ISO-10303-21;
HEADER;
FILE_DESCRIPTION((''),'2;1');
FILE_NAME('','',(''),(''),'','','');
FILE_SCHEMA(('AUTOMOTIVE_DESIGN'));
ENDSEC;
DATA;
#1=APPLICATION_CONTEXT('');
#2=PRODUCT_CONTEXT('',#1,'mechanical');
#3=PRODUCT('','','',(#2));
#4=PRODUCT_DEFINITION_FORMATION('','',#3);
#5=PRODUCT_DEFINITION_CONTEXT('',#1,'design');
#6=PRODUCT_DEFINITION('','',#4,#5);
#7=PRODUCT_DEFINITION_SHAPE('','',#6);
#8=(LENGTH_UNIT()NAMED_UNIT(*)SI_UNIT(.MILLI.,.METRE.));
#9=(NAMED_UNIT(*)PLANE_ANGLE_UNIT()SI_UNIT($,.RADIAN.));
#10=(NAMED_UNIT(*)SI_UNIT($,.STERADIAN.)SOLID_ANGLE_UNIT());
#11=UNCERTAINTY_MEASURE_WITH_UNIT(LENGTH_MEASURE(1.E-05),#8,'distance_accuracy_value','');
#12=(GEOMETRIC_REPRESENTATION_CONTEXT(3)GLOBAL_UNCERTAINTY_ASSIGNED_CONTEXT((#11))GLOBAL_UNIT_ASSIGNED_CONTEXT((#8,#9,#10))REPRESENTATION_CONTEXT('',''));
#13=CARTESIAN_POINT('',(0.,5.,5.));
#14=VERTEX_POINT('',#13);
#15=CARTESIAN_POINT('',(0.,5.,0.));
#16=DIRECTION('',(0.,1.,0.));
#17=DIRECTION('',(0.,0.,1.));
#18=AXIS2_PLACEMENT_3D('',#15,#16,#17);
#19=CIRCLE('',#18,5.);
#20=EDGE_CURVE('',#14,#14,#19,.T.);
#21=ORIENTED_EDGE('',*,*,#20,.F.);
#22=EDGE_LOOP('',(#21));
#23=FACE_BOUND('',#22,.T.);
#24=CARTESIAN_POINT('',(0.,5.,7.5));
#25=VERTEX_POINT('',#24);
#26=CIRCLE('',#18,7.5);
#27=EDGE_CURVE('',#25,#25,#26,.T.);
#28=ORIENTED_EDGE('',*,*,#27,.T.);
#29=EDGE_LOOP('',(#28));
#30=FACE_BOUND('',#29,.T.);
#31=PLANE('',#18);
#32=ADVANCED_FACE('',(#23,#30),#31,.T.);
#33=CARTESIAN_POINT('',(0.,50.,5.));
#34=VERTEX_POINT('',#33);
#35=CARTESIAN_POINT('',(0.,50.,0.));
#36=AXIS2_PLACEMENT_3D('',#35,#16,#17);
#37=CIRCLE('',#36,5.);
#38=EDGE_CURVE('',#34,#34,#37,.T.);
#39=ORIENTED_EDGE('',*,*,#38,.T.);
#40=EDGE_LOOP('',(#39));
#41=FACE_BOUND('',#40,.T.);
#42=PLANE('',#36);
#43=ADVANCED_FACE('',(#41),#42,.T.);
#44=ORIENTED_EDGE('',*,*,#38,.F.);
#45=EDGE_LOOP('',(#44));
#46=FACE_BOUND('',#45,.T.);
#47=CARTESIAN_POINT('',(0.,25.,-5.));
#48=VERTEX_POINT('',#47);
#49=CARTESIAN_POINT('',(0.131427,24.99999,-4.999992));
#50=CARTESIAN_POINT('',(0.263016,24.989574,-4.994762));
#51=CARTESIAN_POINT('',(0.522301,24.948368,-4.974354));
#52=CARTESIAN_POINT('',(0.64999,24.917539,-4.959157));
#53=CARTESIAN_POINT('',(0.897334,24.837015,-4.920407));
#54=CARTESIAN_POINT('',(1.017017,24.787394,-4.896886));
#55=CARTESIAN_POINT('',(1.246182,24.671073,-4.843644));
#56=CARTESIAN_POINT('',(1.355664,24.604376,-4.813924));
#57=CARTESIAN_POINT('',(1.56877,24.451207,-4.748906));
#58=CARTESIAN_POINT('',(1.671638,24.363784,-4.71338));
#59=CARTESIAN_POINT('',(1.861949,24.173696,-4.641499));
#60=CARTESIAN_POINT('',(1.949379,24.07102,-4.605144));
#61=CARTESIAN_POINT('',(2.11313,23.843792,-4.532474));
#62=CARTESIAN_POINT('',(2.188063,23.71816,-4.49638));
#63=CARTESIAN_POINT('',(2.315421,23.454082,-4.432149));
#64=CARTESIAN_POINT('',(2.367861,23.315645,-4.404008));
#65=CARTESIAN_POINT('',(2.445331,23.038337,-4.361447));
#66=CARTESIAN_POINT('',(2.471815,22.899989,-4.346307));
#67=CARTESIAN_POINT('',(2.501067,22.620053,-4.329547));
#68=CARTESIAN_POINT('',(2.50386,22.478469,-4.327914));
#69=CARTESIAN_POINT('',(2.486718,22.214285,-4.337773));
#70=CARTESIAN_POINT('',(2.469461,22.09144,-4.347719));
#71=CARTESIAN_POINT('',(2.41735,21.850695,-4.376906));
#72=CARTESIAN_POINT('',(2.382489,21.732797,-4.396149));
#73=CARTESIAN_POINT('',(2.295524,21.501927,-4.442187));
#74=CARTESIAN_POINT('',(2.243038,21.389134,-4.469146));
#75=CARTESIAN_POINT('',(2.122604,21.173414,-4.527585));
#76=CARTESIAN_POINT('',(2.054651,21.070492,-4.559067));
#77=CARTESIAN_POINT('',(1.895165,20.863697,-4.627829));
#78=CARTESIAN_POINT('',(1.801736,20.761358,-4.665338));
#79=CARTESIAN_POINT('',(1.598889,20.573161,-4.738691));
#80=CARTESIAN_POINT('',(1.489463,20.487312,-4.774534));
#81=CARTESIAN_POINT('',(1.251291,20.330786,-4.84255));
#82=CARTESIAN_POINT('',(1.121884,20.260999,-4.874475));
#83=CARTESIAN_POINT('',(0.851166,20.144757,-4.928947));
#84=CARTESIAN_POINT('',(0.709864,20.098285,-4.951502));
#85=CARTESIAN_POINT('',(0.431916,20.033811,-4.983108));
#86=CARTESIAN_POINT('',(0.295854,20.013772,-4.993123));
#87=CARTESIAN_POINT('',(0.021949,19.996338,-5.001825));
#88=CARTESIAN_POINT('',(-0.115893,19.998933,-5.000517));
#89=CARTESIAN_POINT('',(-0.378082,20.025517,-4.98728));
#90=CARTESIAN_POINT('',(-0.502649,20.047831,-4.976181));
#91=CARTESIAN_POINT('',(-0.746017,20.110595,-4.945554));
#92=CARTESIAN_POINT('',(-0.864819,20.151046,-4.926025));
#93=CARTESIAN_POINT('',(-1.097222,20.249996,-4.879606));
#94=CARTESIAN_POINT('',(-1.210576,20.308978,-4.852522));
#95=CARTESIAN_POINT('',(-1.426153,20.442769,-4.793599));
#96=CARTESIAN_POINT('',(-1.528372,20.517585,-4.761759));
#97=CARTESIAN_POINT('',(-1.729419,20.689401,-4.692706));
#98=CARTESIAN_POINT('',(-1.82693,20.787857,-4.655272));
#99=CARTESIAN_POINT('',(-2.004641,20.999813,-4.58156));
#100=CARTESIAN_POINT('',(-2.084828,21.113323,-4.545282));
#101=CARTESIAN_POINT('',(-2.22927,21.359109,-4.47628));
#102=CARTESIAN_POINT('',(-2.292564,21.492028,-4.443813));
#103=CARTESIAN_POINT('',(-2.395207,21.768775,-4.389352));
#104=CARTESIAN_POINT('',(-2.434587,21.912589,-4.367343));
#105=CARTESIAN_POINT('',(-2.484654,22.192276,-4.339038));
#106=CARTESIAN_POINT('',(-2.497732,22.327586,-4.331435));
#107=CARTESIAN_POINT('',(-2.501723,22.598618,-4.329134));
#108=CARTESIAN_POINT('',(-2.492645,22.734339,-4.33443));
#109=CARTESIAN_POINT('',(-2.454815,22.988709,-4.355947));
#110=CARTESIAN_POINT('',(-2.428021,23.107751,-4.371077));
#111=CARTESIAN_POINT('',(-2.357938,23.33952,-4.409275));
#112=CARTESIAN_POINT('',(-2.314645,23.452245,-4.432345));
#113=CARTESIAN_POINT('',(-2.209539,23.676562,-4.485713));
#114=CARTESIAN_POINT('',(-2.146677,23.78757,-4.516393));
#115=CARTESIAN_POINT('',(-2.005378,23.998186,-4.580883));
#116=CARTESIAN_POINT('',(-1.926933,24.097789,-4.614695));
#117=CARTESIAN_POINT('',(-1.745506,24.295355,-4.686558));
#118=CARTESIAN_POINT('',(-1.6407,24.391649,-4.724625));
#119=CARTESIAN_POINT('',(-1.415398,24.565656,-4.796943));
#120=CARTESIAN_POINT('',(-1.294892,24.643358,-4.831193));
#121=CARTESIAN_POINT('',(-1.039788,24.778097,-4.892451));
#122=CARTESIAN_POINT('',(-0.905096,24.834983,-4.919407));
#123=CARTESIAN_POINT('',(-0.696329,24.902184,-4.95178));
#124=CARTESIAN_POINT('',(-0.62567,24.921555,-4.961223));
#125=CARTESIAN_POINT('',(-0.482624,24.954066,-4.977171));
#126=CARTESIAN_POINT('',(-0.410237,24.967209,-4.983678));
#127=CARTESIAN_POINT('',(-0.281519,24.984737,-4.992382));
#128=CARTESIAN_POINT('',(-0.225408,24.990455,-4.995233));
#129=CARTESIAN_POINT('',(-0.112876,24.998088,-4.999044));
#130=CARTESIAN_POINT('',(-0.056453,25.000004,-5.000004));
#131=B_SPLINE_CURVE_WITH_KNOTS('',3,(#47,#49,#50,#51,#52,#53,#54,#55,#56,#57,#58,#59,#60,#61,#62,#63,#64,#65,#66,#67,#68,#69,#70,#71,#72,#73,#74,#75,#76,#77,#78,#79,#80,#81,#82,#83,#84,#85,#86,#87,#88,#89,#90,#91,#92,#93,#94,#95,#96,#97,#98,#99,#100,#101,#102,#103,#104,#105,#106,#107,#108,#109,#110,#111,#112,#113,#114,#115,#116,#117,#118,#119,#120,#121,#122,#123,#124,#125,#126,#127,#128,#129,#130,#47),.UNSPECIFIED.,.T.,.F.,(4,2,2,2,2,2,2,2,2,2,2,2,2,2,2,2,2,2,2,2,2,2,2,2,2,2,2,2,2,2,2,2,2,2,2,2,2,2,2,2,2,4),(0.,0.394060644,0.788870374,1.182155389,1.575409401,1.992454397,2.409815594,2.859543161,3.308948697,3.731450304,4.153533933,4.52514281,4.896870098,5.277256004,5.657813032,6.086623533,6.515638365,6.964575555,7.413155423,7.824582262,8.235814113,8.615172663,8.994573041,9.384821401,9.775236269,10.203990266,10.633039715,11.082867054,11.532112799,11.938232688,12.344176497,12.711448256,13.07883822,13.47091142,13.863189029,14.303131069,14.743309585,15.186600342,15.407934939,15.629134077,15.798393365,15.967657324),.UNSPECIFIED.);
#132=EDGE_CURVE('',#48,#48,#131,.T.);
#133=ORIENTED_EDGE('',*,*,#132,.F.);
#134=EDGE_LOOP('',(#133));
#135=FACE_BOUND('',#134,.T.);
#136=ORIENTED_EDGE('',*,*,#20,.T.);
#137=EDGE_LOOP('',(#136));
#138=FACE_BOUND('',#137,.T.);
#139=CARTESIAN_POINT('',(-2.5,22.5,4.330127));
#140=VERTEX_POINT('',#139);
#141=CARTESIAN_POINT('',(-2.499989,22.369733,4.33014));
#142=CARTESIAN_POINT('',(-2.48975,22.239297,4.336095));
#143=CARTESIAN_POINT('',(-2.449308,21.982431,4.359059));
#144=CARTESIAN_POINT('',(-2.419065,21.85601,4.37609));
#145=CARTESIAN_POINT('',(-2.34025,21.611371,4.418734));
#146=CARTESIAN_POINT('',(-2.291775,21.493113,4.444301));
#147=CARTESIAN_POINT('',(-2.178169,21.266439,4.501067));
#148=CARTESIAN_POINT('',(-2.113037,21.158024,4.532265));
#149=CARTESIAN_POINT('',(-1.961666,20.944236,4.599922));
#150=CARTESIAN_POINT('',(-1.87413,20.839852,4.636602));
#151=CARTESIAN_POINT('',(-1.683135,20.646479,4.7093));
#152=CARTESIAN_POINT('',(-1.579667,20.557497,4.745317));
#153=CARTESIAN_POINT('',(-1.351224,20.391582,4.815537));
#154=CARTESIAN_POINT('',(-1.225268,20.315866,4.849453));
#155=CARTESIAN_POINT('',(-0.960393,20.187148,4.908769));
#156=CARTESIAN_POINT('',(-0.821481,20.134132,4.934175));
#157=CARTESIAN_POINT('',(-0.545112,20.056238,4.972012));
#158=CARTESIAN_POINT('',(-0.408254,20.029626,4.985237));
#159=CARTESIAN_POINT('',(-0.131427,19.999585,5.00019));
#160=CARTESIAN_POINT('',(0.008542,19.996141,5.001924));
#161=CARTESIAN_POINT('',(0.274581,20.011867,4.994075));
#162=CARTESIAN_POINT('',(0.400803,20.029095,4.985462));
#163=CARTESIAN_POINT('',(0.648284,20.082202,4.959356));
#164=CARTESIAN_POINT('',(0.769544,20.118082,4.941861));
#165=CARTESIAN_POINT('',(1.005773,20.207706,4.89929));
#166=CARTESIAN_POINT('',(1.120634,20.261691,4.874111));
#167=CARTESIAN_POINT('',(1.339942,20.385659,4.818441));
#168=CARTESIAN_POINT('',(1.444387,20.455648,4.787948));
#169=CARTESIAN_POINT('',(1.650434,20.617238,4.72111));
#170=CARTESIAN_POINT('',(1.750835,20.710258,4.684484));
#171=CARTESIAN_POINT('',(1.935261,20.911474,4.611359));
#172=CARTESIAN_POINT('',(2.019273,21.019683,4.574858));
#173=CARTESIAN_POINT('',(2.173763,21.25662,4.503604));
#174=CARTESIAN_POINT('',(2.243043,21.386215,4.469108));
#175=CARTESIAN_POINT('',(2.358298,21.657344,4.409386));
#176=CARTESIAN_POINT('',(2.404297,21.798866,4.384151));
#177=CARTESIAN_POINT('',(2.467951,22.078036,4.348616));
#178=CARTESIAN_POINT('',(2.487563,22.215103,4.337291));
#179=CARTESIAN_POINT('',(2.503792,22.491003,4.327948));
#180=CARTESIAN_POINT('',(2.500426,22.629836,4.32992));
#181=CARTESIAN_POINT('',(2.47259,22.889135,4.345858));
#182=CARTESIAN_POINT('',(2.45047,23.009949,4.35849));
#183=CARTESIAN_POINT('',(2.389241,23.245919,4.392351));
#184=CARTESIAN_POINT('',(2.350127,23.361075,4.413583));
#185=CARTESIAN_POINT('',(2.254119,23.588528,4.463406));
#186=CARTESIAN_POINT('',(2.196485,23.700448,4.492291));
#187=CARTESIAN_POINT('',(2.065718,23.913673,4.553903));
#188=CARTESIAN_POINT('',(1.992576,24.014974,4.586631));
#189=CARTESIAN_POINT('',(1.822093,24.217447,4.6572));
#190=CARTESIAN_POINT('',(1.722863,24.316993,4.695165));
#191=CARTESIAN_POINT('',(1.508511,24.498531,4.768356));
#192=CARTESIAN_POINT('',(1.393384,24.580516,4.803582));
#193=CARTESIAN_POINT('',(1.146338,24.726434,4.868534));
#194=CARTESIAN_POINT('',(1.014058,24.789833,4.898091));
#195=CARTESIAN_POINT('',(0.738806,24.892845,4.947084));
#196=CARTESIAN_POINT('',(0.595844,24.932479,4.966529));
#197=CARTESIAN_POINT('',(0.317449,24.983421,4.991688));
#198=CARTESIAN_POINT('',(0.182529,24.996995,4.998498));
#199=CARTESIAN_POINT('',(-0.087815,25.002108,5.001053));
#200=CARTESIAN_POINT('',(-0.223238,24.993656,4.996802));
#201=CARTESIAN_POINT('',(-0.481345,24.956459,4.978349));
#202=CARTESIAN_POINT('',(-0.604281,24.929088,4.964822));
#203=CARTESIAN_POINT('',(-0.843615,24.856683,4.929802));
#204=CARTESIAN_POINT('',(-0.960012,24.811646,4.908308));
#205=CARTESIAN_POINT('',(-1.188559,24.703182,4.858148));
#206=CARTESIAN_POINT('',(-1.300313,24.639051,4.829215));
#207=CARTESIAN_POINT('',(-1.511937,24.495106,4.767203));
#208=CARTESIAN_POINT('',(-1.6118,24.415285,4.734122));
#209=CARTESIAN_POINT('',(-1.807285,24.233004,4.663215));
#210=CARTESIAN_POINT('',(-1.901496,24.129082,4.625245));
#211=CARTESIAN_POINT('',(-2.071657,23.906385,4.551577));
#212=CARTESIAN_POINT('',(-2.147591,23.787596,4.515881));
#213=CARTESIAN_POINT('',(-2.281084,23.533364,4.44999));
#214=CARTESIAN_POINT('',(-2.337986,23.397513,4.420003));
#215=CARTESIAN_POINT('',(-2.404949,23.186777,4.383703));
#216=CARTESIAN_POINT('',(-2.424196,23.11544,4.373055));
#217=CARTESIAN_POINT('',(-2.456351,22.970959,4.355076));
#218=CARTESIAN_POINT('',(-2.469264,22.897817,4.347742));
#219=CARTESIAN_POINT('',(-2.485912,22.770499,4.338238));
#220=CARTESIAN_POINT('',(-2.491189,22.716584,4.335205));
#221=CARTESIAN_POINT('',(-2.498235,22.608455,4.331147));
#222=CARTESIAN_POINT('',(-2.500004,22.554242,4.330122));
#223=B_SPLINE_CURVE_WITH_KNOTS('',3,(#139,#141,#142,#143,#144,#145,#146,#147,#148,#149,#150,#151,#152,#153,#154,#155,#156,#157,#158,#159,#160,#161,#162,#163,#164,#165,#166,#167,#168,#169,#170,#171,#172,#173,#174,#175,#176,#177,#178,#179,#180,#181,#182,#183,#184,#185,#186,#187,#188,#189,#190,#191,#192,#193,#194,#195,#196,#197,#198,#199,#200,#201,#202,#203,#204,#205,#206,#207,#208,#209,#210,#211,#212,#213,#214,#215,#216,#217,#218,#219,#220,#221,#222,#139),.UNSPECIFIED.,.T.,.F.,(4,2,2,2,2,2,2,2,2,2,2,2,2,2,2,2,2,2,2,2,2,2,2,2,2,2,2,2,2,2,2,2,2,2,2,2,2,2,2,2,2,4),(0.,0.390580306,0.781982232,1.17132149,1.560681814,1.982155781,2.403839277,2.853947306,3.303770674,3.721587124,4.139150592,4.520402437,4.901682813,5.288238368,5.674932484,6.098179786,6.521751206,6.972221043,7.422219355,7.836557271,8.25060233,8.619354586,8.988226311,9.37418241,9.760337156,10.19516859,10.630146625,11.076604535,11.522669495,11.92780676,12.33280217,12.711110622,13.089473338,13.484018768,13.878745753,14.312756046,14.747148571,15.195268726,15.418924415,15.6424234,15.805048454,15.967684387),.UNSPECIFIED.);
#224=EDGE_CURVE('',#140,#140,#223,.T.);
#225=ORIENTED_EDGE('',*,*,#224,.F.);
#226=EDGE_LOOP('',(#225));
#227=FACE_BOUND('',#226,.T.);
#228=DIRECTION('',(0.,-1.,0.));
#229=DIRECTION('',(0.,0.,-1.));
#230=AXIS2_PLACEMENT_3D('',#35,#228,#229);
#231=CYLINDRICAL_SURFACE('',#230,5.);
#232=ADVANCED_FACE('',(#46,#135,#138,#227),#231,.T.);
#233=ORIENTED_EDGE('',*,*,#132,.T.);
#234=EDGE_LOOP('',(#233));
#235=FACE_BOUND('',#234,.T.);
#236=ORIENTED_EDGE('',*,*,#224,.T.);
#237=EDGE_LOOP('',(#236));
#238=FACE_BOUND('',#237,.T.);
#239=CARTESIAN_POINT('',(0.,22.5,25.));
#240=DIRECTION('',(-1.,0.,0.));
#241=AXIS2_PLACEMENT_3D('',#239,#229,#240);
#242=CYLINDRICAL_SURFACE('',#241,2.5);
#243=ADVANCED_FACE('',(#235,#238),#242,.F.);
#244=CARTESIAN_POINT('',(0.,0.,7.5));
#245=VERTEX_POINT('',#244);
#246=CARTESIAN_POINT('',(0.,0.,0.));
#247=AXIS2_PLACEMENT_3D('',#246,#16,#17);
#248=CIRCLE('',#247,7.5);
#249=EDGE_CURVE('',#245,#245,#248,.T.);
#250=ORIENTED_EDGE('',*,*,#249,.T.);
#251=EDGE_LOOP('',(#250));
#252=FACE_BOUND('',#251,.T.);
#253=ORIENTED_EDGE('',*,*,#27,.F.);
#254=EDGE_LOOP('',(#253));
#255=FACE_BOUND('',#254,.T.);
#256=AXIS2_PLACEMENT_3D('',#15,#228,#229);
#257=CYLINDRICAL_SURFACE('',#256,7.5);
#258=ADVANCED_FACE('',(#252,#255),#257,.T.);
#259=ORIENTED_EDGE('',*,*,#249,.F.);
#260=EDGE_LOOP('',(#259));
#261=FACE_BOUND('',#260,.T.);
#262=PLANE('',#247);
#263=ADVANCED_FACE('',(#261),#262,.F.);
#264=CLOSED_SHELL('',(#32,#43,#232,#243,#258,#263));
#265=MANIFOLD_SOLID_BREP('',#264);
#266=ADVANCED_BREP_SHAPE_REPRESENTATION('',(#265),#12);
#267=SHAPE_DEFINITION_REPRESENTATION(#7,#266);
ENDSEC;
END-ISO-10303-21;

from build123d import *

# Parameters (mm, degrees)
SKETCH1_R               = 7.5
BOSS_EXTRUDE1_DEPTH     = 5
SKETCH2_R               = 5
BOSS_EXTRUDE2_DEPTH     = 45
CUT_EXTRUDE1_DEPTH      = 25
CUT_EXTRUDE1_DEPTH_BACK = 28
SKETCH3_R               = 2.5


with BuildPart() as part:
    # Sketch1 → Boss-Extrude1 (new body)
    with BuildSketch(Plane(origin=(0, 0, 0), x_dir=(1, 0, 0), z_dir=(0, 1, 0))):
        with Locations(Location((0, 0, 0), (0, 0, 270))):
            Circle(SKETCH1_R)
    extrude(amount=BOSS_EXTRUDE1_DEPTH)

    # Sketch2 → Boss-Extrude2 (add)
    with BuildSketch(Plane(origin=(0, 5, 0), x_dir=(1, 0, 0), z_dir=(0, 1, 0))):
        with Locations(Location((0, 0, 0), (0, 0, 90))):
            Circle(SKETCH2_R)
    extrude(amount=BOSS_EXTRUDE2_DEPTH)

    # Sketch3 → Cut-Extrude1 (cut, two sides: drawn at the far end of the back side and taken through both)
    with BuildSketch(Plane.XY.offset(-CUT_EXTRUDE1_DEPTH_BACK)):
        with Locations(Location((0, 22.5, 0), (0, 0, 89.999999974))):
            Circle(SKETCH3_R)
    extrude(amount=CUT_EXTRUDE1_DEPTH + CUT_EXTRUDE1_DEPTH_BACK, mode=Mode.SUBTRACT)


solid = part.part
